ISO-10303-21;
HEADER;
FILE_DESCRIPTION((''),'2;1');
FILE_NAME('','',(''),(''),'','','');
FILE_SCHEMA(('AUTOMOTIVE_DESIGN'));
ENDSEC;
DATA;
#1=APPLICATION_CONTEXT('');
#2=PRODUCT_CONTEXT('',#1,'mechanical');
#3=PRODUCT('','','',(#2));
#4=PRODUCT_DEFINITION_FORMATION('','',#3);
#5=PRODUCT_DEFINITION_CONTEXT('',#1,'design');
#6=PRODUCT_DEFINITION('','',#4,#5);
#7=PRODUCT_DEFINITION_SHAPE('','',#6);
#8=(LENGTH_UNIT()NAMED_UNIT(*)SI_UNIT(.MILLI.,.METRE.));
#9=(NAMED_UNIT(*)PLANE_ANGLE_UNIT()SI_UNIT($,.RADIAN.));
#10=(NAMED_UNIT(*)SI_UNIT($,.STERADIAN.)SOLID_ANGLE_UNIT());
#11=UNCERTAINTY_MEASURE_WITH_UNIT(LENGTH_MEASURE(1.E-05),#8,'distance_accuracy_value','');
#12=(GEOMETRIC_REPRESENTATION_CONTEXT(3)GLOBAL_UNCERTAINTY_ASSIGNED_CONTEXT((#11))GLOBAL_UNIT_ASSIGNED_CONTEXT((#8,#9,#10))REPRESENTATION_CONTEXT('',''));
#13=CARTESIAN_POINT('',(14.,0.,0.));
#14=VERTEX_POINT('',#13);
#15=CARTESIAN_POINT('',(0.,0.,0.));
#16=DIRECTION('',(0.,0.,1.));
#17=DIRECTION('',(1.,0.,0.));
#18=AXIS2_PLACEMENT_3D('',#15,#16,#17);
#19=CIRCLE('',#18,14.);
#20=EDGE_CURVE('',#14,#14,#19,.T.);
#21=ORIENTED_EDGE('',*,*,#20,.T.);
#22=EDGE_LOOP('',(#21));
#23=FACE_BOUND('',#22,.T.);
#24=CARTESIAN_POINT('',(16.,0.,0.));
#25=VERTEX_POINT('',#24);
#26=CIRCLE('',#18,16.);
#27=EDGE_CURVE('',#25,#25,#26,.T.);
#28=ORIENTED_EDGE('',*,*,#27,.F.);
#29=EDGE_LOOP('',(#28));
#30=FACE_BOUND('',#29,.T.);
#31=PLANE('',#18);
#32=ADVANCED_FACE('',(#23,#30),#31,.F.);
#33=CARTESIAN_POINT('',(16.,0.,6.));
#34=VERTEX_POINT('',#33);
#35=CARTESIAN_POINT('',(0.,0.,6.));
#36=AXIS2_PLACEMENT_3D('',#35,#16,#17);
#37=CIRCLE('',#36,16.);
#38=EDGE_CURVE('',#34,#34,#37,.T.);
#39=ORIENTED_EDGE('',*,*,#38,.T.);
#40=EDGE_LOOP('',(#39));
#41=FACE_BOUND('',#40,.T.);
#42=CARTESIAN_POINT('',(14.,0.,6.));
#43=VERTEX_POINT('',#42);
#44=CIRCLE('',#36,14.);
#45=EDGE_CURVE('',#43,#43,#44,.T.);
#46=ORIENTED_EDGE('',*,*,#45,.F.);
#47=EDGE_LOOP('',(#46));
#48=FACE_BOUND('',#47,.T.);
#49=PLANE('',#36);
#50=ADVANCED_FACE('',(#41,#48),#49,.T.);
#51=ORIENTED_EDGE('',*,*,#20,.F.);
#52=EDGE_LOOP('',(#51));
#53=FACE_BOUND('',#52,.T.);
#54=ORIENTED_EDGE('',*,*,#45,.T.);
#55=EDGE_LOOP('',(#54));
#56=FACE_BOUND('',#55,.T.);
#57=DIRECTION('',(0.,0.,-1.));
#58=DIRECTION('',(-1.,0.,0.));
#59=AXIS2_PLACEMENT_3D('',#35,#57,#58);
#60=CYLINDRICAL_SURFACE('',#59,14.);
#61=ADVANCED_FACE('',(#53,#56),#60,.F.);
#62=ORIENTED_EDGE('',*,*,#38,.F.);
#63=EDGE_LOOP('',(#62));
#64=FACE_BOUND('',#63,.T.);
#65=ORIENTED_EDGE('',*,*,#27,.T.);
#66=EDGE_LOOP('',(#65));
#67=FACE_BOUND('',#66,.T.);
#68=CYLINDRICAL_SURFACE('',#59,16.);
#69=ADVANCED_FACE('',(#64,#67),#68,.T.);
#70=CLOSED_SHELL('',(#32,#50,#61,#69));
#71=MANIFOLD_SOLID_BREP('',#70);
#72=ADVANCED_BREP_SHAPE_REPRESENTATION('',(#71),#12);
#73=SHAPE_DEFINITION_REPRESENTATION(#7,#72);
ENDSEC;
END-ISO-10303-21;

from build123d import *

# Parameters (mm, degrees)
SKETCH_1_R      = 16
SKETCH_1_R_2    = 14
EXTRUDE_1_DEPTH = 6


with BuildPart() as part:
    # 草图1 → 凸台-拉伸1 (new body)
    with BuildSketch(Plane.XY):
        Circle(SKETCH_1_R)
        Circle(SKETCH_1_R_2, mode=Mode.SUBTRACT)
    extrude(amount=EXTRUDE_1_DEPTH)


solid = part.part
